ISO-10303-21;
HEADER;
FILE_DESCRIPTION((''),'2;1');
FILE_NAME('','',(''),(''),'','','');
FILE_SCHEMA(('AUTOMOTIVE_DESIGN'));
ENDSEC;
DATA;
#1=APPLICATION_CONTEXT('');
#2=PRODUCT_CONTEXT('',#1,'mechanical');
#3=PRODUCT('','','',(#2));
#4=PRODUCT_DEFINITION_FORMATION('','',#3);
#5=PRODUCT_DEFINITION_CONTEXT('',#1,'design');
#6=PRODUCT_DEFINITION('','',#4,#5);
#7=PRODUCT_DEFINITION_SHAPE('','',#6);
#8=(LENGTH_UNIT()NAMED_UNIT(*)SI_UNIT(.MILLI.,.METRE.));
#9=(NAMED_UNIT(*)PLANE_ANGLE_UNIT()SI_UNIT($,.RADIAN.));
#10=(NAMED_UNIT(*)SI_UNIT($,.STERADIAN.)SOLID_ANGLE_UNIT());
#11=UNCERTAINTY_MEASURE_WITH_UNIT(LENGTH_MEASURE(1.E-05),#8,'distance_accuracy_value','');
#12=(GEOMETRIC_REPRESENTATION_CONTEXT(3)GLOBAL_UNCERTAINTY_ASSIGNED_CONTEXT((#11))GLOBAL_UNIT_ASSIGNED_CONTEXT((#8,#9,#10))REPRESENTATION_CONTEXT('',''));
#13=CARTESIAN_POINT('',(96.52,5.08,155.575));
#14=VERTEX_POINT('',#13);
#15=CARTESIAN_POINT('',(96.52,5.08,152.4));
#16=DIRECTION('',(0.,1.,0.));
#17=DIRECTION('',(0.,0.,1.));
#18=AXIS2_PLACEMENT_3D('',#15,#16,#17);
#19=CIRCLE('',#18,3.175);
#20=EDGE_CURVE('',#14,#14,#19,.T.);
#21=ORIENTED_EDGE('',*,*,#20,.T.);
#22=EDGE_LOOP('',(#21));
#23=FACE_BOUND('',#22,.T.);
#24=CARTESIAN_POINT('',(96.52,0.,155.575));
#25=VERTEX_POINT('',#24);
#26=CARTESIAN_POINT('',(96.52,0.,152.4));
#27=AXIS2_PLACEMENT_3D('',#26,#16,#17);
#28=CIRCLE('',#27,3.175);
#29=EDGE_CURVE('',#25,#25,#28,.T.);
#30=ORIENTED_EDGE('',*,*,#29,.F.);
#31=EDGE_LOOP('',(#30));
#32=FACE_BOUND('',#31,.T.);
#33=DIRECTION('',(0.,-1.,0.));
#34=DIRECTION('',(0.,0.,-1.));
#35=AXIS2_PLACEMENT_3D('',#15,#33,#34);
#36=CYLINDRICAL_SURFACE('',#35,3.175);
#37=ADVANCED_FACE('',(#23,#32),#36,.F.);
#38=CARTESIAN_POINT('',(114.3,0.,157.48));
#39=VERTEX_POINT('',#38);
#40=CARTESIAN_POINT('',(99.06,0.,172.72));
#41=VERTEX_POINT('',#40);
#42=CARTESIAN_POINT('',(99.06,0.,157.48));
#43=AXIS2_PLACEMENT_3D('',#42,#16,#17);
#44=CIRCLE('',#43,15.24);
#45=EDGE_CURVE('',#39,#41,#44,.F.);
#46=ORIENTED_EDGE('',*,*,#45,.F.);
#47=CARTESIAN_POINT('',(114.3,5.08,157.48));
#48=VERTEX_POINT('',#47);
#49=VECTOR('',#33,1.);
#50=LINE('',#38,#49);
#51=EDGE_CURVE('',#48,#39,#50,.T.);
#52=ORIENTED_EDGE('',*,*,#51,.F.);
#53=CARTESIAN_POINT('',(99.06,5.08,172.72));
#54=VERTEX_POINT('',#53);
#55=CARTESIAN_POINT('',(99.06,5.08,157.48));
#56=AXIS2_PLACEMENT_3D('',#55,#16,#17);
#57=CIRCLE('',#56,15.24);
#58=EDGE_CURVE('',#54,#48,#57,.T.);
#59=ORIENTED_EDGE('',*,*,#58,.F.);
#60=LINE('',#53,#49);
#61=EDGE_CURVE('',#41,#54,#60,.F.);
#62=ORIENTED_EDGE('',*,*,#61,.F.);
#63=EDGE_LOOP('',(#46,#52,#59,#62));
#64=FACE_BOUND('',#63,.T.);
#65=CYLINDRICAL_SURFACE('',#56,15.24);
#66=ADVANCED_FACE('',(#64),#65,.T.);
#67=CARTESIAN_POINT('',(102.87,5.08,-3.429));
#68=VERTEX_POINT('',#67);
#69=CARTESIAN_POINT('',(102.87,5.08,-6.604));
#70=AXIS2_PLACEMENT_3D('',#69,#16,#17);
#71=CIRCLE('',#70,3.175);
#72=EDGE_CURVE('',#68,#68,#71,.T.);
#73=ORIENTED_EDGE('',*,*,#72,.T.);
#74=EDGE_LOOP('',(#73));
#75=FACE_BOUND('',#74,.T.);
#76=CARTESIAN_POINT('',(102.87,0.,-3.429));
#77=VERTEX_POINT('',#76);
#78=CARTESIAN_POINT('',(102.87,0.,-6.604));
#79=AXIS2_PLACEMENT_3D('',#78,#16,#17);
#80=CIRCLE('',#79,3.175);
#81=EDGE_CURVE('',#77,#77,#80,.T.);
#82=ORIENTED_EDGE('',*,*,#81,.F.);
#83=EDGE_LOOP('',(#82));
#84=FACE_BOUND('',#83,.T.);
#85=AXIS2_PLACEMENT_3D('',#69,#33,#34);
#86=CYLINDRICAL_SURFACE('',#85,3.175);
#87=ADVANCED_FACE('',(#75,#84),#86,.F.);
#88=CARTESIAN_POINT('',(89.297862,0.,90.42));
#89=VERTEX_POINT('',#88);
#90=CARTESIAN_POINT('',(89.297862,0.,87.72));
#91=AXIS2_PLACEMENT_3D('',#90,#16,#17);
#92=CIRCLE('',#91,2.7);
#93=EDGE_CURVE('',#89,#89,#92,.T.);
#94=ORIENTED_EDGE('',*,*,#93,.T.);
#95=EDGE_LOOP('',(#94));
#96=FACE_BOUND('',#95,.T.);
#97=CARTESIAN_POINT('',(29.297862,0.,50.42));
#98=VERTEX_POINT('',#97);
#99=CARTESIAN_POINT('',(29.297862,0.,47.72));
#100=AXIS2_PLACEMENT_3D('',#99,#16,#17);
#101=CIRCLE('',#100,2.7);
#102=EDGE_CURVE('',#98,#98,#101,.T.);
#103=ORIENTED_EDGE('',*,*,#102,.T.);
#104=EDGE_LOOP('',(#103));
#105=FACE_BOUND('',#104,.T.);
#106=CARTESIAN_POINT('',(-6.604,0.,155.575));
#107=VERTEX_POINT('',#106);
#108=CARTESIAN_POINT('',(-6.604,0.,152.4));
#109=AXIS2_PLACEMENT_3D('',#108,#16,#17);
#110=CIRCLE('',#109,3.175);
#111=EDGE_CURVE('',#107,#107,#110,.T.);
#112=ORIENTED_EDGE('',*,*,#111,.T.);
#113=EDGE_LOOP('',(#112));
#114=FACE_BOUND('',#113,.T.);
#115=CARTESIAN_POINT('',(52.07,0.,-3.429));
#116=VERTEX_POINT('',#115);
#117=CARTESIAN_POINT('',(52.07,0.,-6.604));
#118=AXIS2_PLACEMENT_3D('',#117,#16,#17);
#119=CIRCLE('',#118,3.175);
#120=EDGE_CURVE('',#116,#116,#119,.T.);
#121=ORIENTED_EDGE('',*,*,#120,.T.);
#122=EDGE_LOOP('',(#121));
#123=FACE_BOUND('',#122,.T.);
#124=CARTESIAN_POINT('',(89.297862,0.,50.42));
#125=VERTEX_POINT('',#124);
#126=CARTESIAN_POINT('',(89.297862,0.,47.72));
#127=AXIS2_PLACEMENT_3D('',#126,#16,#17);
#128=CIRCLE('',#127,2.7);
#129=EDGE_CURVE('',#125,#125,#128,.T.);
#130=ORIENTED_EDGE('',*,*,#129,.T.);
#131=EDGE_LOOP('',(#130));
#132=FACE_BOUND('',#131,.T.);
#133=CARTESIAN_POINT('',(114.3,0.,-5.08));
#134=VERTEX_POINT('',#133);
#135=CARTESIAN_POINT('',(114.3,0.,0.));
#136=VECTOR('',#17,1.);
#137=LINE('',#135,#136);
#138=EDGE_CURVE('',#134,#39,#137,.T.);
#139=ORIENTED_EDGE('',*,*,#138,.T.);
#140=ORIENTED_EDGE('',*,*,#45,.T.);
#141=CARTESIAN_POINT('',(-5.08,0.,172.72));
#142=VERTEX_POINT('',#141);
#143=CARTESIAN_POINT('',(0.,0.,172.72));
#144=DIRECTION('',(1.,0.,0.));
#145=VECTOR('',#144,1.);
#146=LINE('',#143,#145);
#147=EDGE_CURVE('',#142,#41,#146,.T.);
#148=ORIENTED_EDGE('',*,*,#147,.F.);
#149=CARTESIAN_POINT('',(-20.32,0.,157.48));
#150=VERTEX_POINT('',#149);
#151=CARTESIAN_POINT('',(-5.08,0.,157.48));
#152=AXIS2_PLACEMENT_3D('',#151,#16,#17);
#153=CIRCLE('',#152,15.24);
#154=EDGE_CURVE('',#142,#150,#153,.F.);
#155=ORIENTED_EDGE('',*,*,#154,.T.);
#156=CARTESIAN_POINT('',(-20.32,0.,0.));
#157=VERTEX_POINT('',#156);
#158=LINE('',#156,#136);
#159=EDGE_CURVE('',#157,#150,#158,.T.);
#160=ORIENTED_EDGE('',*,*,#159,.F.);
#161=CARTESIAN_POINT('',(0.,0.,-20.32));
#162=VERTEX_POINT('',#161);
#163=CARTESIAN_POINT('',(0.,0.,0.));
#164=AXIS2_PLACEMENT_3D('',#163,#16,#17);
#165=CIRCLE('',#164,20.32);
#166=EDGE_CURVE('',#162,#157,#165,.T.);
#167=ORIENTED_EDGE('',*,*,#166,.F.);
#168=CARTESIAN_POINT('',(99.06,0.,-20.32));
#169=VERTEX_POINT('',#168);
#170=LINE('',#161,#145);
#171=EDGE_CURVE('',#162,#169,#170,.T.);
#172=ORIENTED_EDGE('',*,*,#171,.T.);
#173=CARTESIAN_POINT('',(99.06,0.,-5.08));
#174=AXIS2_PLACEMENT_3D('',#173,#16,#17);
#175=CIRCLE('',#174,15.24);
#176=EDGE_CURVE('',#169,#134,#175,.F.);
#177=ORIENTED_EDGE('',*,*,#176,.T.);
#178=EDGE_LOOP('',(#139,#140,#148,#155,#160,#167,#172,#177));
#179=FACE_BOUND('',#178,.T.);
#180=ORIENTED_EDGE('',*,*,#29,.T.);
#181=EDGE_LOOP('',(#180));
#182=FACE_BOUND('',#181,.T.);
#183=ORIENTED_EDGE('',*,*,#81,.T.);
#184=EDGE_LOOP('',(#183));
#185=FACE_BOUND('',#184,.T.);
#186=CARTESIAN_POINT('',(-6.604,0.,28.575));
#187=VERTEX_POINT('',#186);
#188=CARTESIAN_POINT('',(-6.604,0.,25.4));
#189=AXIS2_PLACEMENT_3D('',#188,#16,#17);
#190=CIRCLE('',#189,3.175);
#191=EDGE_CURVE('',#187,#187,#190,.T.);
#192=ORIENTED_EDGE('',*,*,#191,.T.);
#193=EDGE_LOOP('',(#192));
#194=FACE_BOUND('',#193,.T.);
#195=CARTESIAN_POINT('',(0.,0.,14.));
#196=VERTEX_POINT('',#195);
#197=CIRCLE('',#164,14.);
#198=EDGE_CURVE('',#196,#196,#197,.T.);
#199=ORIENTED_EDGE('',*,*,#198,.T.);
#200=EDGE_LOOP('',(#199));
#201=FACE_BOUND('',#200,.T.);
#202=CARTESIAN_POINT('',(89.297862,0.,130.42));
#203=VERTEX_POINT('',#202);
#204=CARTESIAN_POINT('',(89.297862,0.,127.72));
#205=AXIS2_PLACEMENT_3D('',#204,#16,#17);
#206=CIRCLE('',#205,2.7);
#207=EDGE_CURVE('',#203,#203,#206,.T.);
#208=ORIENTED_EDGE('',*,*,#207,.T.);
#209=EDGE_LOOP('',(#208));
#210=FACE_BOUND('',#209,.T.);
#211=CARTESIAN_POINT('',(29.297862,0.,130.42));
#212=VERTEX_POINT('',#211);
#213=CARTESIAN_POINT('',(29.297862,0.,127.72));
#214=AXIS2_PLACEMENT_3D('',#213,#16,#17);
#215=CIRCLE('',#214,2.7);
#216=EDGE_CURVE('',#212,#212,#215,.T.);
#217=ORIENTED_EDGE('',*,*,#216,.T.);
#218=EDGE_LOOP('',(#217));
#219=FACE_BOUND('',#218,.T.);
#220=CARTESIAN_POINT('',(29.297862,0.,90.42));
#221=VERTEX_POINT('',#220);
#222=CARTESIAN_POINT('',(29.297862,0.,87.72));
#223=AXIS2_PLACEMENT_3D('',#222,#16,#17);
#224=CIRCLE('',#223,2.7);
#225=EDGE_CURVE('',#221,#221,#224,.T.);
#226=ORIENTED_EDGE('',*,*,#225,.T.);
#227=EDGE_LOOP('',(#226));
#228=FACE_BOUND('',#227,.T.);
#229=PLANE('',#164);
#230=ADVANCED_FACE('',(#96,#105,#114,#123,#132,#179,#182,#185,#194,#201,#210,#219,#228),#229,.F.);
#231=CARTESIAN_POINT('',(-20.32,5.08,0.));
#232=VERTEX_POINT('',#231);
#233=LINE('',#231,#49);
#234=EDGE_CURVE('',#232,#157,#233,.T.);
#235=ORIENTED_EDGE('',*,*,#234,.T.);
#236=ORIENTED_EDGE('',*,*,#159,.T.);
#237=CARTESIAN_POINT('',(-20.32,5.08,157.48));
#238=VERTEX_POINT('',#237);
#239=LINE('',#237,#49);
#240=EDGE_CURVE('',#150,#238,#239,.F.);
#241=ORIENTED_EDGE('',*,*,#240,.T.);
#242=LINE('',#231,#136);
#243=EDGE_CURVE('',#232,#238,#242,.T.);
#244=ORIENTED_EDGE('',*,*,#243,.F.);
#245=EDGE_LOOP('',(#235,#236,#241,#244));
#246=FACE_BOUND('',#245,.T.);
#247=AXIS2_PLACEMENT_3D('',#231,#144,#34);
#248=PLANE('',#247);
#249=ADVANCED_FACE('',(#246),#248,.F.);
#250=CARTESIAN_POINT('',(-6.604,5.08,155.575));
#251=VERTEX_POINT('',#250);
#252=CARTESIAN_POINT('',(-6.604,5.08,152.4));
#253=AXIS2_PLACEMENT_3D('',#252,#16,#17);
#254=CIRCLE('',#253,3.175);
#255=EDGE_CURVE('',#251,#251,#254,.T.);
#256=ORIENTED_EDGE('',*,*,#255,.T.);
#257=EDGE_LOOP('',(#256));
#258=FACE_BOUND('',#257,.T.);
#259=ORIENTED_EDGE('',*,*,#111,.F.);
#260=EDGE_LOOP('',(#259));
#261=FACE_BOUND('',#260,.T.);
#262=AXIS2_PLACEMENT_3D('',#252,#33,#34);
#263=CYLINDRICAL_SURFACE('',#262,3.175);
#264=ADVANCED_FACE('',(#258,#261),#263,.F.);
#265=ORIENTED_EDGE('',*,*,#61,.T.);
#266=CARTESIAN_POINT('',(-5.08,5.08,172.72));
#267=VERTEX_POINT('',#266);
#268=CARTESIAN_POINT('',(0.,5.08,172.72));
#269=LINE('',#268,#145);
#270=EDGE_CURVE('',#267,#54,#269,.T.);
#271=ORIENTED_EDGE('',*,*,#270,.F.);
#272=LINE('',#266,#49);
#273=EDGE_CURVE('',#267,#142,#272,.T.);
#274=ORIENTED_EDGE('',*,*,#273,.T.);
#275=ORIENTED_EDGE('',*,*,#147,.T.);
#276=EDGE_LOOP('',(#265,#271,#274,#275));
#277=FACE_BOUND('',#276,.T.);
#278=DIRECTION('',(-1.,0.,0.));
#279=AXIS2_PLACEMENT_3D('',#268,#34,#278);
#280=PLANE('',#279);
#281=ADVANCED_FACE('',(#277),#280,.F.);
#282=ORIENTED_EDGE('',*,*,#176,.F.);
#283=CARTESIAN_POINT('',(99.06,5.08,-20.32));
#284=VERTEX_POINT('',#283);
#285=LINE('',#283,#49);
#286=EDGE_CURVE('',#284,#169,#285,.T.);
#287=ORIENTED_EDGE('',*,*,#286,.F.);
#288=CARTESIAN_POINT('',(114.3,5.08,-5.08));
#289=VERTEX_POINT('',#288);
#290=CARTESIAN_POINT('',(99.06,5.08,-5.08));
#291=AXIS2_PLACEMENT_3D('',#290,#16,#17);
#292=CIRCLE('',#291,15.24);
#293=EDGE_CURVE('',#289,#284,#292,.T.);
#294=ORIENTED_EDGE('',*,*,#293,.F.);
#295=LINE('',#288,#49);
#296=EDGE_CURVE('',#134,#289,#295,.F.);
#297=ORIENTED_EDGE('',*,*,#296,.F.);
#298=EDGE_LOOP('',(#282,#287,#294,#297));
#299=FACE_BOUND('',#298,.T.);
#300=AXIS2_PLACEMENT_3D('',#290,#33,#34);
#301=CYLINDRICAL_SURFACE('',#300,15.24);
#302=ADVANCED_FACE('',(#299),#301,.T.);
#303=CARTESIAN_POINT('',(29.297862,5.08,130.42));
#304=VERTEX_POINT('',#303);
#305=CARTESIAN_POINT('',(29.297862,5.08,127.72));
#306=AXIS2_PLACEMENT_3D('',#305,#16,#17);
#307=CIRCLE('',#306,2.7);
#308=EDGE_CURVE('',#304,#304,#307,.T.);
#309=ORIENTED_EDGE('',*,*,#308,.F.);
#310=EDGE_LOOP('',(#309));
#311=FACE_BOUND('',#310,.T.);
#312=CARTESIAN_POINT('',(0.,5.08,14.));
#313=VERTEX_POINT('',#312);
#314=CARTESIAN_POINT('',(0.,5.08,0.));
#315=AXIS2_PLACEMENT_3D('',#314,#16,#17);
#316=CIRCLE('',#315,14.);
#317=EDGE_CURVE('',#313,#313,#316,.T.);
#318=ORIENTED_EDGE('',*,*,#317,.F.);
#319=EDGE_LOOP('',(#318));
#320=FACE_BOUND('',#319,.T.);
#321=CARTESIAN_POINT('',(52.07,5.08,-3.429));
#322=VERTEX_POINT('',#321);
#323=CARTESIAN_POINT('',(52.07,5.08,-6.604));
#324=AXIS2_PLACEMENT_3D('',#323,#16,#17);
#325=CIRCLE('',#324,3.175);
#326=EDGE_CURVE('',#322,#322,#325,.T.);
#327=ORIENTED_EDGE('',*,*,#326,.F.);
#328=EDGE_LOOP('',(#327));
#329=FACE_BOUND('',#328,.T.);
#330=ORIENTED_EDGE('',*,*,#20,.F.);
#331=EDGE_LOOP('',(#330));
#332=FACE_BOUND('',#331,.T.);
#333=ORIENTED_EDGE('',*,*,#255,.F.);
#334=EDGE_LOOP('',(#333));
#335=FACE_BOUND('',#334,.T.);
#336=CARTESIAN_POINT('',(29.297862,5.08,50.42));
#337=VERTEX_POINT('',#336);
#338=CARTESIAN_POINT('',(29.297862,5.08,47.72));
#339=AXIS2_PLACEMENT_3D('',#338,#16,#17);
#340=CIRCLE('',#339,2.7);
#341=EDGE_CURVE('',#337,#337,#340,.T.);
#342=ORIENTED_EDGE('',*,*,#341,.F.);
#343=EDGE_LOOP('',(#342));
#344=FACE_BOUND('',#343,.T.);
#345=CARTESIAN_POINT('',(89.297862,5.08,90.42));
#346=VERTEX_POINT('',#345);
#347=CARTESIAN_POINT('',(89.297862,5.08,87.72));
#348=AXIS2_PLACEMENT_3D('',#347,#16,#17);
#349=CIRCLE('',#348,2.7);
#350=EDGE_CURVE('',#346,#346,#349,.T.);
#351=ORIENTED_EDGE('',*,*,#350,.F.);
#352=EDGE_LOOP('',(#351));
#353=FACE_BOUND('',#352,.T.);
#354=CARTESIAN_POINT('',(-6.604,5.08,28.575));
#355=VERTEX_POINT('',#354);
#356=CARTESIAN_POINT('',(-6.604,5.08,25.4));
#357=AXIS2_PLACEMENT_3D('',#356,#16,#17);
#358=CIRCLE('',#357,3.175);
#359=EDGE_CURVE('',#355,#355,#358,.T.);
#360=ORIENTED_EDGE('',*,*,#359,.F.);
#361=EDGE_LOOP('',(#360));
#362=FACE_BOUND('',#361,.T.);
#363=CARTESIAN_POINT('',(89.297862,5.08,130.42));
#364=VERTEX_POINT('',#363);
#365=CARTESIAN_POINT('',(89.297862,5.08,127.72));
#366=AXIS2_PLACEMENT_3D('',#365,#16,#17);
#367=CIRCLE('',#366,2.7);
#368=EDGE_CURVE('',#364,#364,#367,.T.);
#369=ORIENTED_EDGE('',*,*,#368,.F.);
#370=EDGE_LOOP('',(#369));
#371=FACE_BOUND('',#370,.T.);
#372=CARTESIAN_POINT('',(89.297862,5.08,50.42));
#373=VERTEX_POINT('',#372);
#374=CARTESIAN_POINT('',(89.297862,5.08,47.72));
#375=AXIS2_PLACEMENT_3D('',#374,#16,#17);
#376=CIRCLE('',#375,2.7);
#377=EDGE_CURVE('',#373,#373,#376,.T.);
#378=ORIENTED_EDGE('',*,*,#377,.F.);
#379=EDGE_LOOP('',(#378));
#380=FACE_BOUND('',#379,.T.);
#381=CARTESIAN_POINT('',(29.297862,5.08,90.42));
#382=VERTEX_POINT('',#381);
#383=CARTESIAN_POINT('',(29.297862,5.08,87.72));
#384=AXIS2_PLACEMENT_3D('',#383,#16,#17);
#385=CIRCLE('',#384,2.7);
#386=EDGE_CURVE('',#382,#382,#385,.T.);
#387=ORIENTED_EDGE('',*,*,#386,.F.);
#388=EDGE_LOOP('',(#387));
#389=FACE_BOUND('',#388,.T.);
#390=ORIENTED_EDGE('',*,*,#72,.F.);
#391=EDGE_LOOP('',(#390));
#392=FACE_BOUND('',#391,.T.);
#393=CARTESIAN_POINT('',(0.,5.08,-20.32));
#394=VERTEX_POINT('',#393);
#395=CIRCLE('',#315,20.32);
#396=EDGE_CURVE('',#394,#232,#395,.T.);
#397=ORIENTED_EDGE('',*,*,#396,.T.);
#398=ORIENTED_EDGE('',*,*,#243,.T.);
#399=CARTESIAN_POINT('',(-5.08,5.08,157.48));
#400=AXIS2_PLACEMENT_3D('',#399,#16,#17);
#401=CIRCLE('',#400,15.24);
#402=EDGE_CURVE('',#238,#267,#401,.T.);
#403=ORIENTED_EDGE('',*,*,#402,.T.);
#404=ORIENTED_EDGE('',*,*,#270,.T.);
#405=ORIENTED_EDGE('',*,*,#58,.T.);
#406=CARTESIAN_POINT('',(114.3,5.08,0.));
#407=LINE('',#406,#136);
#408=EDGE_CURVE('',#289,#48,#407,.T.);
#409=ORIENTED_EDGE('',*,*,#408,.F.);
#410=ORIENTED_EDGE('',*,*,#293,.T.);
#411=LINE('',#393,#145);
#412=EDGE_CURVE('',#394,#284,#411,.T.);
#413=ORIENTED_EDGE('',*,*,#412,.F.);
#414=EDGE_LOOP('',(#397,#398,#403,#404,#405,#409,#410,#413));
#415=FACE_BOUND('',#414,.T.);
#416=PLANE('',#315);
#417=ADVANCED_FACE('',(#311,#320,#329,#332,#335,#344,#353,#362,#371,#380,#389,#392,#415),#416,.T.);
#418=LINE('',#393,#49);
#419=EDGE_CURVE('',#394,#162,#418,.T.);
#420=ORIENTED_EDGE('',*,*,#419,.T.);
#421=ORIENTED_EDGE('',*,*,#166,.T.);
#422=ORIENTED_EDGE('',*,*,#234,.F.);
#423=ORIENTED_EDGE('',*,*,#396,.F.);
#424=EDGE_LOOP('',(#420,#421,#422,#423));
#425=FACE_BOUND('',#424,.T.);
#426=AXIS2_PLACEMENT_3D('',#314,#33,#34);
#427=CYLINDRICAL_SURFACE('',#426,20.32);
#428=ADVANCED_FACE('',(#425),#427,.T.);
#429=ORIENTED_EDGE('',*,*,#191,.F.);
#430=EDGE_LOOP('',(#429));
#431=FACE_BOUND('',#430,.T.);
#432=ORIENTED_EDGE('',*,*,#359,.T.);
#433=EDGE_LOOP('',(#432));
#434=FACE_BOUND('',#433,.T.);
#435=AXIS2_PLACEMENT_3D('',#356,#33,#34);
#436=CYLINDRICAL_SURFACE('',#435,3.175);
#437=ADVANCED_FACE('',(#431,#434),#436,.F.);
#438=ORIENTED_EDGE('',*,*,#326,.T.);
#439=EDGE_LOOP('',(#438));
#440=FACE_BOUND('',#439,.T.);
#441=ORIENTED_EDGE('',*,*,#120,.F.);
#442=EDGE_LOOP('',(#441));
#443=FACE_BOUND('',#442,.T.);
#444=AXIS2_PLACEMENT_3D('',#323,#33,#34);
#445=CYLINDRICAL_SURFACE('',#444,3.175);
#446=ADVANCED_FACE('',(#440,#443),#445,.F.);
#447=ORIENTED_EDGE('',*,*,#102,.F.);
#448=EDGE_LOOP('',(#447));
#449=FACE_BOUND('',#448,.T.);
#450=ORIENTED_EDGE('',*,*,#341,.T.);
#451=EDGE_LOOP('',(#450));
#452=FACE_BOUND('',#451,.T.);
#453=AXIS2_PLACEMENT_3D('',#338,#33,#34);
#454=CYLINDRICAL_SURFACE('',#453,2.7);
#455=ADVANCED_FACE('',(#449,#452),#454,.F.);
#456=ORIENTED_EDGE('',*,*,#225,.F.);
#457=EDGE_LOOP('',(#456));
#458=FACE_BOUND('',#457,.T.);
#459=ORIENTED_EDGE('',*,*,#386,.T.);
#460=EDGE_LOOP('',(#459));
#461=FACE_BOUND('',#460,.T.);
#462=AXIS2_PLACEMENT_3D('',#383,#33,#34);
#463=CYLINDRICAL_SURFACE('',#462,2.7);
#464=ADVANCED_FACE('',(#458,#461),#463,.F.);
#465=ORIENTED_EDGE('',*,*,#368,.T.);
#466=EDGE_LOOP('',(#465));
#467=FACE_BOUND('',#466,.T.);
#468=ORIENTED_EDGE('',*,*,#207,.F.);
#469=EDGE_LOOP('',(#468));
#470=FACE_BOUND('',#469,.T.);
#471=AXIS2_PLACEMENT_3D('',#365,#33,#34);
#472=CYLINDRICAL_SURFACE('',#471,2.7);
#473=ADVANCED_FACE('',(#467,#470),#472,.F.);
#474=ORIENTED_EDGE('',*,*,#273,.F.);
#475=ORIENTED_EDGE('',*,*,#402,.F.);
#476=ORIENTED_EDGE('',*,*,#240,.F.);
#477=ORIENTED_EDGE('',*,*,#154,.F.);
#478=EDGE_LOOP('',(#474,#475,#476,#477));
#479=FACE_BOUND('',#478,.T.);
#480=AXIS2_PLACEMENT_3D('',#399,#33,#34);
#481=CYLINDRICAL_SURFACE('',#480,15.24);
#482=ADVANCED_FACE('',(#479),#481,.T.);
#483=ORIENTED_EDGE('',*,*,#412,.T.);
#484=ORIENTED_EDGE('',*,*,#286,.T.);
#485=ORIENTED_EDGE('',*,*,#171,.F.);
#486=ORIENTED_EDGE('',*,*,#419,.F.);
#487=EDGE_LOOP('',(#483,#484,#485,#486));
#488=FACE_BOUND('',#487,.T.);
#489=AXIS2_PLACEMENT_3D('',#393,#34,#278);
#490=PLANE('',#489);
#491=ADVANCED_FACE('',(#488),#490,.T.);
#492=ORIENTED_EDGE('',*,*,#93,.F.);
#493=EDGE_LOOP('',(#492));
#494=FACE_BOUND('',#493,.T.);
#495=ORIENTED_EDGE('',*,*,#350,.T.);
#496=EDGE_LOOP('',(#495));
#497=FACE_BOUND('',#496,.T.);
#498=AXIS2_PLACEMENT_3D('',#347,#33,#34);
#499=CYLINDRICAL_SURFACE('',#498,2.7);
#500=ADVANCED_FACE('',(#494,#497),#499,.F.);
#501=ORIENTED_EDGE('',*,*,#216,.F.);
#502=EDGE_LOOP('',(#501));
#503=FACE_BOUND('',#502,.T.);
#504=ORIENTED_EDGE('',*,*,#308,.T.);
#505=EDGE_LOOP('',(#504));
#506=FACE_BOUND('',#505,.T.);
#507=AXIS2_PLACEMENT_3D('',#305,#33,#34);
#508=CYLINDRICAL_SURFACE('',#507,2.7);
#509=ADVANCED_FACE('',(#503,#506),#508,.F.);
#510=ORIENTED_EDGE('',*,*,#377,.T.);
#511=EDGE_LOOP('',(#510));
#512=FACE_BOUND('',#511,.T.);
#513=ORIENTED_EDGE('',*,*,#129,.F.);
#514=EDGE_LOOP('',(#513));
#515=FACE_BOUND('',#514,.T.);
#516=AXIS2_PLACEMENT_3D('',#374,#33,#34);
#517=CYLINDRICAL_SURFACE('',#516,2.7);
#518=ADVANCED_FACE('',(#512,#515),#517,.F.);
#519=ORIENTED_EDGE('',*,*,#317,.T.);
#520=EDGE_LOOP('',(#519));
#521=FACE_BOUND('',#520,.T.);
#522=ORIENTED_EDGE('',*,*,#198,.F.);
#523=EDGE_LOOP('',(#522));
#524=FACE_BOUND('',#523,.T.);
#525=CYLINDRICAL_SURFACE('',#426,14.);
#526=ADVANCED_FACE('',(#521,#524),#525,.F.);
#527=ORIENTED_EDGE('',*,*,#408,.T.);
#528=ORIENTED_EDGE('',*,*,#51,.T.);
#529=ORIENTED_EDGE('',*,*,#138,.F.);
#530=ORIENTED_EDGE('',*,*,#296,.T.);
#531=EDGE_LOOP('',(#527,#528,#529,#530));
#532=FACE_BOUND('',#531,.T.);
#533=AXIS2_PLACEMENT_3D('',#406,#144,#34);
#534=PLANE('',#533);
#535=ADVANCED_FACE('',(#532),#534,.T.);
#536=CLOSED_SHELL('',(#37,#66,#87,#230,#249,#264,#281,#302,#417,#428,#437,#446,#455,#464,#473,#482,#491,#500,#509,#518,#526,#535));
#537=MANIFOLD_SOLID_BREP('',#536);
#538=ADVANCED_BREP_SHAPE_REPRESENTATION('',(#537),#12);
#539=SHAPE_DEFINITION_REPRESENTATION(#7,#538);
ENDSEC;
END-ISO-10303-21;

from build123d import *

# Parameters (mm, degrees)
SKETCH1_R           = 3.175
SKETCH1_R_2         = 2.7
SKETCH1_R_3         = 14
BOSS_EXTRUDE1_DEPTH = 5.08
FILLET1_R           = 15.24


with BuildPart() as part:
    # Sketch1 → Boss-Extrude1 (new body)
    with BuildSketch(Plane(origin=(0, 0, 0), x_dir=(1, 0, 0), z_dir=(0, 1, 0))):
        with BuildLine():
            Line((114.3, 20.32), (0, 20.32))
            ThreePointArc((0, 20.32), (-14.368409794, 14.368409794), (-20.32, 0))
            Line((-20.32, 0), (-20.32, -172.72))
            Line((-20.32, -172.72), (114.3, -172.72))
            Line((114.3, -172.72), (114.3, 20.32))
        make_face()
        with Locations(Location((-6.604, -152.4, 0), (0, 0, 270))):
            Circle(SKETCH1_R, mode=Mode.SUBTRACT)
        with Locations(Location((29.297861909, -127.72, 0), (0, 0, 270))):
            Circle(SKETCH1_R_2, mode=Mode.SUBTRACT)
        with Locations(Location((29.297861909, -87.72, 0), (0, 0, 270))):
            Circle(SKETCH1_R_2, mode=Mode.SUBTRACT)
        with Locations(Location((96.52, -152.4, 0), (0, 0, 270))):
            Circle(SKETCH1_R, mode=Mode.SUBTRACT)
        with Locations(Location((89.297861909, -127.72, 0), (0, 0, 270))):
            Circle(SKETCH1_R_2, mode=Mode.SUBTRACT)
        with Locations(Location((89.297861909, -87.72, 0), (0, 0, 270))):
            Circle(SKETCH1_R_2, mode=Mode.SUBTRACT)
        with Locations(Location((29.297861909, -47.72, 0), (0, 0, 270))):
            Circle(SKETCH1_R_2, mode=Mode.SUBTRACT)
        with Locations(Location((-6.604, -25.4, 0), (0, 0, 270))):
            Circle(SKETCH1_R, mode=Mode.SUBTRACT)
        with Locations(Location((89.297861909, -47.72, 0), (0, 0, 270))):
            Circle(SKETCH1_R_2, mode=Mode.SUBTRACT)
        with Locations(Location((52.07, 6.604, 0), (0, 0, 270))):
            Circle(SKETCH1_R, mode=Mode.SUBTRACT)
        with Locations(Location((102.87, 6.604, 0), (0, 0, 270))):
            Circle(SKETCH1_R, mode=Mode.SUBTRACT)
        with Locations(Location((0, 0, 0), (0, 0, 270))):
            Circle(SKETCH1_R_3, mode=Mode.SUBTRACT)
    extrude(amount=BOSS_EXTRUDE1_DEPTH)

    # Fillet1
    fillet1_edges = [part.edges().sort_by_distance(p)[0] for p in [
        (114.3, 2.54, -20.32),
        (114.3, 2.54, 172.72),
        (-20.32, 2.54, 172.72),
    ]]
    fillet(fillet1_edges, radius=FILLET1_R)


solid = part.part
